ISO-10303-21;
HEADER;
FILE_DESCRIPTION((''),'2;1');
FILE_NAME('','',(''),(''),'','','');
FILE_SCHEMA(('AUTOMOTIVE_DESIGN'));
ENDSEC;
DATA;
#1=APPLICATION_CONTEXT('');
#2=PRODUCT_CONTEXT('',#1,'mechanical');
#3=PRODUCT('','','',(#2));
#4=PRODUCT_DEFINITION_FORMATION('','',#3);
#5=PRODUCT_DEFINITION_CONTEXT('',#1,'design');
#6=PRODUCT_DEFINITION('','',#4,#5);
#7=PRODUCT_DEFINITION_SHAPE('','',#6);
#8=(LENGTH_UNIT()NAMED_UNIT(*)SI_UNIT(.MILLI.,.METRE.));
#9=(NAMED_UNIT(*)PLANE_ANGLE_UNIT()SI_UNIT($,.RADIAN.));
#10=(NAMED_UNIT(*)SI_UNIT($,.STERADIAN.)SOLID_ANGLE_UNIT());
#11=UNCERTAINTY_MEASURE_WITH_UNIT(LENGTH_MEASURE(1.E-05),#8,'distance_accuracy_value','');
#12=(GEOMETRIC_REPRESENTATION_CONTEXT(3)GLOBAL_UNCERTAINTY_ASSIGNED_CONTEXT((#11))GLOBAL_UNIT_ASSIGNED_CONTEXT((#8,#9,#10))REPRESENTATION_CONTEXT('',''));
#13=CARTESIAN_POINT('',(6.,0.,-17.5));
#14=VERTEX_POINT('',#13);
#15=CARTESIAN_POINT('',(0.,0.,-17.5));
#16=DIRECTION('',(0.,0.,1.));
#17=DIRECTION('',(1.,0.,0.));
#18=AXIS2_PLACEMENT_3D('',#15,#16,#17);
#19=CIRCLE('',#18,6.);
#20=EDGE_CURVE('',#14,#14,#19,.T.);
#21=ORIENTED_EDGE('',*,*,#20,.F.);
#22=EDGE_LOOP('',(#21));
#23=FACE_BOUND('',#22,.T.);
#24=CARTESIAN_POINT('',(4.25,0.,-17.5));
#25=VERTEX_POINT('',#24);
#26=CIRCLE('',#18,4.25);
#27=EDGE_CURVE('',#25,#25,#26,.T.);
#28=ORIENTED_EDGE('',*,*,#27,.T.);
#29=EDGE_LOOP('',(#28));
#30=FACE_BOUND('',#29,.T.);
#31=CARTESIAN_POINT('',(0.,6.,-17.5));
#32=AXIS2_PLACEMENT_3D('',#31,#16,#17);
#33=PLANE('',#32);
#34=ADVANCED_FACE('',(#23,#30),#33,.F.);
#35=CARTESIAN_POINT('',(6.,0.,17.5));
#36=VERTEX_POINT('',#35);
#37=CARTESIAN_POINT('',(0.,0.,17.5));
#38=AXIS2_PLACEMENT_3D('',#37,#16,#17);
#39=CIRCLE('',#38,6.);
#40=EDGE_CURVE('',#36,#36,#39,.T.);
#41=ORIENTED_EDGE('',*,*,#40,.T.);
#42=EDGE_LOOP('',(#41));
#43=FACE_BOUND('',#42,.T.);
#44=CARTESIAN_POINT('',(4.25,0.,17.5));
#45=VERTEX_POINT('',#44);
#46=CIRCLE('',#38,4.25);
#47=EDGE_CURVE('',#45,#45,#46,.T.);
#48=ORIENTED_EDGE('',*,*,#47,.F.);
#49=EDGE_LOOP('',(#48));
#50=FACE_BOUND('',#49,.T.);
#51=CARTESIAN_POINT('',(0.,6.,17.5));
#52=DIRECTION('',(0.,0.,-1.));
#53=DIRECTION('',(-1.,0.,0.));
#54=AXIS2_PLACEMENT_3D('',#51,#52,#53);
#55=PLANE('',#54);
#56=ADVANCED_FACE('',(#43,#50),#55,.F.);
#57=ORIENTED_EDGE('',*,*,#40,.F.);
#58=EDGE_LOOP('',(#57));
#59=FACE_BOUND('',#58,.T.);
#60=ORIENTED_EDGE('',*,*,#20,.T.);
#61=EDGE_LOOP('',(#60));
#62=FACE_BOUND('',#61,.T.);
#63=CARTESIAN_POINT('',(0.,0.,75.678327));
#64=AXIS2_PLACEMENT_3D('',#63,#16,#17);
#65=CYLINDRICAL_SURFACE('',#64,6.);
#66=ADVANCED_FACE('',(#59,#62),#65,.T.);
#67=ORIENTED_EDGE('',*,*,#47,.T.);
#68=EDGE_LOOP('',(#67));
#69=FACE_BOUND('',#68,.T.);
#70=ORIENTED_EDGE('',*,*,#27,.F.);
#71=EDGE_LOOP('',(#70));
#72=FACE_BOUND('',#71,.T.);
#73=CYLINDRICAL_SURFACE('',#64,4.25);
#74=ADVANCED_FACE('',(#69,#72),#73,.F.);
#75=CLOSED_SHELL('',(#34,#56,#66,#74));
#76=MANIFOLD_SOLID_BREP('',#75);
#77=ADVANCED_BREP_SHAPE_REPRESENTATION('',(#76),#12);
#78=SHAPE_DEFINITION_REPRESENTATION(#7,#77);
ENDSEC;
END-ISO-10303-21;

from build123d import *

# Parameters (mm, degrees)
SKIZZE1_W = 35
SKIZZE1_H = 1.75


with BuildPart() as part:
    # Skizze1 → Rotation1 (revolve)
    with BuildSketch(Plane(origin=(0, 0, 0), x_dir=(0, 0, -1), z_dir=(1, 0, 0)), mode=Mode.PRIVATE) as rotation1_sk:
        with Locations((0, 5.125)):
            Rectangle(SKIZZE1_W, SKIZZE1_H)
    revolve(rotation1_sk.sketch.rotate(Axis((0, 0, 75.678327167), (0, 0, -1)), 90), axis=Axis((0, 0, 75.678327167), (0, 0, -1)))


solid = part.part
